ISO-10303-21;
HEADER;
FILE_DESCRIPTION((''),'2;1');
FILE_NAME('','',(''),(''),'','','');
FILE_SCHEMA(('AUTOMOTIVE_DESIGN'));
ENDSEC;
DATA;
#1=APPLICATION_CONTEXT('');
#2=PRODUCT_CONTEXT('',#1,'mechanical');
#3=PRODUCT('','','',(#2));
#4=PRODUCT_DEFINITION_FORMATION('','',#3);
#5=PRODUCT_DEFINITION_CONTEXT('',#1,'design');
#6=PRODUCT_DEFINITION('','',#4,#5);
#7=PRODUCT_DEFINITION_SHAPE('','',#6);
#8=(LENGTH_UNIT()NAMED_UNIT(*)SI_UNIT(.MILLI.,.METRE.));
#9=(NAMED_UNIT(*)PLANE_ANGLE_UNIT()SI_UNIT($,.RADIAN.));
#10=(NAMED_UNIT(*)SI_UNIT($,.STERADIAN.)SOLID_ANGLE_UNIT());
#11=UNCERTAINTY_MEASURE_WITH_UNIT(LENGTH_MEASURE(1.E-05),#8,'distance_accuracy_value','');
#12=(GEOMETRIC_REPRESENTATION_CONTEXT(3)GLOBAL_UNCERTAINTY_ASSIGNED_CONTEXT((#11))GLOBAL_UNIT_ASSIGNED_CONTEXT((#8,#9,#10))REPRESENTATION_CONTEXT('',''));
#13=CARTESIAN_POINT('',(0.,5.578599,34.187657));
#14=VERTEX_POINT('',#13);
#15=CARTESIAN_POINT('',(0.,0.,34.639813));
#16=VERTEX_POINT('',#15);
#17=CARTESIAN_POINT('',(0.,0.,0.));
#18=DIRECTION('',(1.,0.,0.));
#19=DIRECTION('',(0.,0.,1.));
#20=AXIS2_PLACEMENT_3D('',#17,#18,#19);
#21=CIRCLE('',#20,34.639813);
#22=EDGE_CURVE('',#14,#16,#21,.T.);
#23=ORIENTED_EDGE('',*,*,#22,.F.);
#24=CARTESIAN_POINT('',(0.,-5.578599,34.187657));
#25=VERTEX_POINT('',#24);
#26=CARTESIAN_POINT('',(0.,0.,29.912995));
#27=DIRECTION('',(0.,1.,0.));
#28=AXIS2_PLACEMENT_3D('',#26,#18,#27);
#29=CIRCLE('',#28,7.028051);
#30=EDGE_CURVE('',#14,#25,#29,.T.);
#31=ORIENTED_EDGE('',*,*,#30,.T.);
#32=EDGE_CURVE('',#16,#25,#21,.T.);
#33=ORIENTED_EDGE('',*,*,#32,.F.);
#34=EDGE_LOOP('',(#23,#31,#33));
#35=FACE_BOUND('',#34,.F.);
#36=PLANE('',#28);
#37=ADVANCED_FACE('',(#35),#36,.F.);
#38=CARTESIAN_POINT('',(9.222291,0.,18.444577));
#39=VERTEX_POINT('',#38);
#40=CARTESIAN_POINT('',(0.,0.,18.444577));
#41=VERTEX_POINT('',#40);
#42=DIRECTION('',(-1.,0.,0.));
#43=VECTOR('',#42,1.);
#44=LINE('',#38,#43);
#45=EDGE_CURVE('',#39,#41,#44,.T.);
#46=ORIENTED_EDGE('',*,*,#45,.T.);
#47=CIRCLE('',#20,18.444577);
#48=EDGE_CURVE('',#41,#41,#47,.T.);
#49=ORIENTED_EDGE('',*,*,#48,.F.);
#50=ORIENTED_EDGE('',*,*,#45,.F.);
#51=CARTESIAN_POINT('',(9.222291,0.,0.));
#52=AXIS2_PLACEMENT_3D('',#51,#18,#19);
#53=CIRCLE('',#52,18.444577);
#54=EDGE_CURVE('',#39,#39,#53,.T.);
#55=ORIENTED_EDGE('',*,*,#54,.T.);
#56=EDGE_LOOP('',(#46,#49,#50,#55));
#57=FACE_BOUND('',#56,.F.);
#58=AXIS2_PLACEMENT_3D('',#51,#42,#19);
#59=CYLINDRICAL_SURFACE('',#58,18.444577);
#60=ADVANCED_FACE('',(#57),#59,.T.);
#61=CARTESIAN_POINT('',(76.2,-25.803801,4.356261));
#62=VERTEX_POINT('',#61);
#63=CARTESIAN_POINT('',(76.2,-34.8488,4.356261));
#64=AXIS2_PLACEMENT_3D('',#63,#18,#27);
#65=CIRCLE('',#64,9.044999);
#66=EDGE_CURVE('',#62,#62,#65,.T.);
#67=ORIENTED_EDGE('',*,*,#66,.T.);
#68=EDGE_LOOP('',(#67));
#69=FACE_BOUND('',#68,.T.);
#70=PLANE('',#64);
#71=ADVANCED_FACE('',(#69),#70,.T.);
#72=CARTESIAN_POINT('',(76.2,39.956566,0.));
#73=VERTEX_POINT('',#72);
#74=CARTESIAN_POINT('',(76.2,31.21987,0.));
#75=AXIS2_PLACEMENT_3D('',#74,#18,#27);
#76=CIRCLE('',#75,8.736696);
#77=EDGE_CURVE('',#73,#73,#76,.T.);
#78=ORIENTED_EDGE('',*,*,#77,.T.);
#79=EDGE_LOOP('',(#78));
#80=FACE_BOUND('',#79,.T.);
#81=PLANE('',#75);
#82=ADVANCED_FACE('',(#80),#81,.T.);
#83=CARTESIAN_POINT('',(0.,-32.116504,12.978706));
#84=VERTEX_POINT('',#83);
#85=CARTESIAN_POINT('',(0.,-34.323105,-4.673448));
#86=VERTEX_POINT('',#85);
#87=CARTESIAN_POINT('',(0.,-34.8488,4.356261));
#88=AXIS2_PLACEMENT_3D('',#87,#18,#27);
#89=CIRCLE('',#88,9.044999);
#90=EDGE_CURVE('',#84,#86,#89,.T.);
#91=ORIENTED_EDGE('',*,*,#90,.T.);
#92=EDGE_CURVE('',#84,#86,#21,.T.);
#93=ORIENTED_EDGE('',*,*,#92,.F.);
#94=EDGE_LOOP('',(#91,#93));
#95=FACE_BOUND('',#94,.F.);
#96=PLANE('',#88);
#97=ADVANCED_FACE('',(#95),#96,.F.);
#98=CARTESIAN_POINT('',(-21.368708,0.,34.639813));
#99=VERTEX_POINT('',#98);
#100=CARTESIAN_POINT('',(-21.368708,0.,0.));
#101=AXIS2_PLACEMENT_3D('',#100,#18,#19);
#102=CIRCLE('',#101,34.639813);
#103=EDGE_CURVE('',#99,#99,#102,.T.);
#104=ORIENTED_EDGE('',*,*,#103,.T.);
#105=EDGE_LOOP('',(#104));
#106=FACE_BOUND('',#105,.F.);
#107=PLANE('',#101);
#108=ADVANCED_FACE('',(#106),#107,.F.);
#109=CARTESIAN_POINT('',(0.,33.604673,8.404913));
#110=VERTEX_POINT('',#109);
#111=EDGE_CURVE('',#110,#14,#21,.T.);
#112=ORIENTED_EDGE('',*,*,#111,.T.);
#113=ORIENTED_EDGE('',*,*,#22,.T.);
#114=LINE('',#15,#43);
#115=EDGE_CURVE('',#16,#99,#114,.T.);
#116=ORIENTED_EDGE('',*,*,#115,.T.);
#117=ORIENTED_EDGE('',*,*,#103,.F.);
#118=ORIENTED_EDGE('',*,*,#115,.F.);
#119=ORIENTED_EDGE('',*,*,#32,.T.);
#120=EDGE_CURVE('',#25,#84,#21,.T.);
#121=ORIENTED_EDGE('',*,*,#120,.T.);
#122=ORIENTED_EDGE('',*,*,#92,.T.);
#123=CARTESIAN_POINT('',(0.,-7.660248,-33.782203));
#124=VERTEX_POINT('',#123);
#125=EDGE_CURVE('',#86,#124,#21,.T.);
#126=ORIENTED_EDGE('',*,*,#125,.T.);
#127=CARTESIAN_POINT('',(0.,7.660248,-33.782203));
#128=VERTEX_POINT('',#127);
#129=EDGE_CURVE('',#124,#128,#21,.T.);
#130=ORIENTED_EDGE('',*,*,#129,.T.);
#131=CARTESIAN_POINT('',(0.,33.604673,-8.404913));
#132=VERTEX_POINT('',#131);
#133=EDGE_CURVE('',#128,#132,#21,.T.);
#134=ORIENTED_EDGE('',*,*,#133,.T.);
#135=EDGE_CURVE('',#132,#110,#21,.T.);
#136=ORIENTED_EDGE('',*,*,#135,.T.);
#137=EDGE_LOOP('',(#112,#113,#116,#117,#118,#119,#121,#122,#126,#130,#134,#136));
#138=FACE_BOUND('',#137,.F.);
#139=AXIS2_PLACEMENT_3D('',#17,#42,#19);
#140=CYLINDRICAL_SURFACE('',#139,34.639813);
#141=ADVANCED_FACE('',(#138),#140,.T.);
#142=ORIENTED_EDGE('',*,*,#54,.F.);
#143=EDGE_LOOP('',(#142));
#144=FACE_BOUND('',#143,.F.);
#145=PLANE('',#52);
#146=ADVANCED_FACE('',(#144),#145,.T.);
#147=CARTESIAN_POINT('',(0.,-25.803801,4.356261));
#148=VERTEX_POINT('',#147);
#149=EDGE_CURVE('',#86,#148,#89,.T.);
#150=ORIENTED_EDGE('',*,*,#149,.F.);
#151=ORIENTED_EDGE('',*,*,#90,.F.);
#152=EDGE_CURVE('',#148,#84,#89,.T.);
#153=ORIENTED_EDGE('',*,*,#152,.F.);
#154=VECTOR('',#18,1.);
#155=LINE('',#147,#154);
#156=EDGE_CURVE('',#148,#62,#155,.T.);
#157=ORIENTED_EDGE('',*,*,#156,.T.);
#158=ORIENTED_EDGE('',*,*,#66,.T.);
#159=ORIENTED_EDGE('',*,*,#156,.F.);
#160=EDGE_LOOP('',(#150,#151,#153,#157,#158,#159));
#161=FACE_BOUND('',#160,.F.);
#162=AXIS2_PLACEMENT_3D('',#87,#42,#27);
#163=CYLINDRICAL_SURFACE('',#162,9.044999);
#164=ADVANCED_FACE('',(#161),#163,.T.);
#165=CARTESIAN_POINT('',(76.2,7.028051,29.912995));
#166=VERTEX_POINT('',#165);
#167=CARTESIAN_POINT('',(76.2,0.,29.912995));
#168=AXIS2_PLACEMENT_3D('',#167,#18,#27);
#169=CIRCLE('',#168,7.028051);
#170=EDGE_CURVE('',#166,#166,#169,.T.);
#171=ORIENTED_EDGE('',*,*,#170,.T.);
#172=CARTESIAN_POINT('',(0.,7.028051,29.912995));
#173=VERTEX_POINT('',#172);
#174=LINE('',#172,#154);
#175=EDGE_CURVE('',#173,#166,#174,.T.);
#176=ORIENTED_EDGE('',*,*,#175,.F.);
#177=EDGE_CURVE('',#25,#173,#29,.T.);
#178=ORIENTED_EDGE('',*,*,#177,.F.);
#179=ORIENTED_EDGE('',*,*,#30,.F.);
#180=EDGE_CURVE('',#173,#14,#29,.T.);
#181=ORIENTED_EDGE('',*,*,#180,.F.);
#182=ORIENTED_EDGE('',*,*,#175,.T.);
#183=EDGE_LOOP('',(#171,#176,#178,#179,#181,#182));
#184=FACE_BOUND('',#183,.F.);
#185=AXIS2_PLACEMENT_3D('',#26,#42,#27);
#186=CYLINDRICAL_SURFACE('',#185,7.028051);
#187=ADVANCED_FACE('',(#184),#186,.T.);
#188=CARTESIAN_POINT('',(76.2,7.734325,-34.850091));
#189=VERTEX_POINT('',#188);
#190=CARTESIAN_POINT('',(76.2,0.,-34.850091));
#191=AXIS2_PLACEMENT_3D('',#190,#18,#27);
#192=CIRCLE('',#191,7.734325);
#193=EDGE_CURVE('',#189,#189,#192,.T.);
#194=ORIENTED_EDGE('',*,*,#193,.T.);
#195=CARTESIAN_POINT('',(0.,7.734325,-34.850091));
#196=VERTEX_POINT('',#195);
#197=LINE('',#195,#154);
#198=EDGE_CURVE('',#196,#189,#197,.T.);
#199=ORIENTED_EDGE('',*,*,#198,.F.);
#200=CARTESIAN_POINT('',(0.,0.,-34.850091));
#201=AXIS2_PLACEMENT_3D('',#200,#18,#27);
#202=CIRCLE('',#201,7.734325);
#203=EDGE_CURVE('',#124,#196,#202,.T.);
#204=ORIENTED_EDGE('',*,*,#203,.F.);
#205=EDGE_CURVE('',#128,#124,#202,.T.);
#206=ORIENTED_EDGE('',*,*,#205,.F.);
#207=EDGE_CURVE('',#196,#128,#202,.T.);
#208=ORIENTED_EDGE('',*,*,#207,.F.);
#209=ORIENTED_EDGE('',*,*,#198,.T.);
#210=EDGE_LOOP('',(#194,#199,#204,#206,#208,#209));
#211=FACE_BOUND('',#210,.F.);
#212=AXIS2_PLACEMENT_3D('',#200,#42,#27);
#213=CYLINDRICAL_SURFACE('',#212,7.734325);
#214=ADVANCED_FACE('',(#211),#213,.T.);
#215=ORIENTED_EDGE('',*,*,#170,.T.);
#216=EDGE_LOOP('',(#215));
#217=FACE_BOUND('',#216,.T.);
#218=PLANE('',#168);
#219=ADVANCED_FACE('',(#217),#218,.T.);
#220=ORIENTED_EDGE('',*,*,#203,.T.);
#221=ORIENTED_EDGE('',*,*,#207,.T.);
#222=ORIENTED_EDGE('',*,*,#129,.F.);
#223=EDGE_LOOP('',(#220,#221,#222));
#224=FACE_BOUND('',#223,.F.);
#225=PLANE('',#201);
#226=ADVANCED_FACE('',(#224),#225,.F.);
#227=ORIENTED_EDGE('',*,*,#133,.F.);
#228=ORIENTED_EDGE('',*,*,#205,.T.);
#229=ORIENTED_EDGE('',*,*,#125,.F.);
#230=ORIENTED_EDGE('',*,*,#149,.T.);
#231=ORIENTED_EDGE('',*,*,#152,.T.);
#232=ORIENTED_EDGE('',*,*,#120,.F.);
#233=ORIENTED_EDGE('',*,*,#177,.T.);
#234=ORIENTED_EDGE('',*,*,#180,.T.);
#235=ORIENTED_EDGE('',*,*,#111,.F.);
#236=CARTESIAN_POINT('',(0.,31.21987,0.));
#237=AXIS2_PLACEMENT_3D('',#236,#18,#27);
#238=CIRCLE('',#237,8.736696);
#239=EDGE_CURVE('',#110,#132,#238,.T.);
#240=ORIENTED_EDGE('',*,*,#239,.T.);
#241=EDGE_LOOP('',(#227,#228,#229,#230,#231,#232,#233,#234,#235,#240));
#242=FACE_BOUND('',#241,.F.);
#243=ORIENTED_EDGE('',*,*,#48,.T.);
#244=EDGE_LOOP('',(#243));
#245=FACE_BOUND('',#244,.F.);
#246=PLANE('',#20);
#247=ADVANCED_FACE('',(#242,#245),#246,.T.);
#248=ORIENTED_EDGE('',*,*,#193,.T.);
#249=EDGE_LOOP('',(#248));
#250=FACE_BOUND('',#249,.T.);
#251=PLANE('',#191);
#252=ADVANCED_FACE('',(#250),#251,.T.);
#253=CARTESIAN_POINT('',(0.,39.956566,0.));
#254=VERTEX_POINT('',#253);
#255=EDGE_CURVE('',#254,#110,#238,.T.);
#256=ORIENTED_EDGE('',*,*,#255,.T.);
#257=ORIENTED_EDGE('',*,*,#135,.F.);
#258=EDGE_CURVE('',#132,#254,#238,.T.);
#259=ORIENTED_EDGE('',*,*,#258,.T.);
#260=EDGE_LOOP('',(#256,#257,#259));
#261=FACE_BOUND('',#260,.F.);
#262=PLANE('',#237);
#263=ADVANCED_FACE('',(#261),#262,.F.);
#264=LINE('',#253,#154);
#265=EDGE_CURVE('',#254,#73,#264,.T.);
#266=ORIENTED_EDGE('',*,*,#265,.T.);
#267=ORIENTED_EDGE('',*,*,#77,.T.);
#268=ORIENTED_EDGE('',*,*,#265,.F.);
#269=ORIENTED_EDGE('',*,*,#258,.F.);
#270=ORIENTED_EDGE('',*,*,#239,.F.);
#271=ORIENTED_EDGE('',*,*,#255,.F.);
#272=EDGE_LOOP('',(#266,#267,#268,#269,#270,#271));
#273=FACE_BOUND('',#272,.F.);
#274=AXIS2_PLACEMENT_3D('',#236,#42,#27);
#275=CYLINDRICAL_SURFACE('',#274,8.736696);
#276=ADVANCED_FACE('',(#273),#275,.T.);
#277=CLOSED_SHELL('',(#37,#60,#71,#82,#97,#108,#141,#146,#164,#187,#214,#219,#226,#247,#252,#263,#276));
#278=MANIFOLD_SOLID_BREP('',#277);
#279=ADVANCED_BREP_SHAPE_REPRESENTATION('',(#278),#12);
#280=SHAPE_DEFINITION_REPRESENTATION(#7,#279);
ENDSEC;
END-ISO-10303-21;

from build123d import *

# Parameters (mm, degrees)
F2_R     = 7.734325
F2_R_2   = 9.044999
F2_R_3   = 7.028051
F2_R_4   = 8.736696
F3_DEPTH = 76.2


with BuildPart() as f1:
    # F0 (on Front) → F1 (revolve)
    with BuildSketch(Plane.XZ):
        Polygon((0, 34.639813), (-21.368708, 34.639813), (-21.368708, 0), (9.222291, 0), (9.222291, 18.444577), (0, 18.444577), align=None)
    revolve(axis=Axis((-6.073209, 0, 0), (1, 0, 0)))

    # F2 (on Right) → F3 (join)
    with BuildSketch(Plane.YZ):
        with Locations((0, -34.850091)):
            Circle(F2_R)
        with Locations((-34.8488, 4.356261)):
            Circle(F2_R_2)
        with Locations((0, 29.912995)):
            Circle(F2_R_3)
        with Locations((31.21987, 0)):
            Circle(F2_R_4)
    extrude(amount=F3_DEPTH)


solid = f1.part
